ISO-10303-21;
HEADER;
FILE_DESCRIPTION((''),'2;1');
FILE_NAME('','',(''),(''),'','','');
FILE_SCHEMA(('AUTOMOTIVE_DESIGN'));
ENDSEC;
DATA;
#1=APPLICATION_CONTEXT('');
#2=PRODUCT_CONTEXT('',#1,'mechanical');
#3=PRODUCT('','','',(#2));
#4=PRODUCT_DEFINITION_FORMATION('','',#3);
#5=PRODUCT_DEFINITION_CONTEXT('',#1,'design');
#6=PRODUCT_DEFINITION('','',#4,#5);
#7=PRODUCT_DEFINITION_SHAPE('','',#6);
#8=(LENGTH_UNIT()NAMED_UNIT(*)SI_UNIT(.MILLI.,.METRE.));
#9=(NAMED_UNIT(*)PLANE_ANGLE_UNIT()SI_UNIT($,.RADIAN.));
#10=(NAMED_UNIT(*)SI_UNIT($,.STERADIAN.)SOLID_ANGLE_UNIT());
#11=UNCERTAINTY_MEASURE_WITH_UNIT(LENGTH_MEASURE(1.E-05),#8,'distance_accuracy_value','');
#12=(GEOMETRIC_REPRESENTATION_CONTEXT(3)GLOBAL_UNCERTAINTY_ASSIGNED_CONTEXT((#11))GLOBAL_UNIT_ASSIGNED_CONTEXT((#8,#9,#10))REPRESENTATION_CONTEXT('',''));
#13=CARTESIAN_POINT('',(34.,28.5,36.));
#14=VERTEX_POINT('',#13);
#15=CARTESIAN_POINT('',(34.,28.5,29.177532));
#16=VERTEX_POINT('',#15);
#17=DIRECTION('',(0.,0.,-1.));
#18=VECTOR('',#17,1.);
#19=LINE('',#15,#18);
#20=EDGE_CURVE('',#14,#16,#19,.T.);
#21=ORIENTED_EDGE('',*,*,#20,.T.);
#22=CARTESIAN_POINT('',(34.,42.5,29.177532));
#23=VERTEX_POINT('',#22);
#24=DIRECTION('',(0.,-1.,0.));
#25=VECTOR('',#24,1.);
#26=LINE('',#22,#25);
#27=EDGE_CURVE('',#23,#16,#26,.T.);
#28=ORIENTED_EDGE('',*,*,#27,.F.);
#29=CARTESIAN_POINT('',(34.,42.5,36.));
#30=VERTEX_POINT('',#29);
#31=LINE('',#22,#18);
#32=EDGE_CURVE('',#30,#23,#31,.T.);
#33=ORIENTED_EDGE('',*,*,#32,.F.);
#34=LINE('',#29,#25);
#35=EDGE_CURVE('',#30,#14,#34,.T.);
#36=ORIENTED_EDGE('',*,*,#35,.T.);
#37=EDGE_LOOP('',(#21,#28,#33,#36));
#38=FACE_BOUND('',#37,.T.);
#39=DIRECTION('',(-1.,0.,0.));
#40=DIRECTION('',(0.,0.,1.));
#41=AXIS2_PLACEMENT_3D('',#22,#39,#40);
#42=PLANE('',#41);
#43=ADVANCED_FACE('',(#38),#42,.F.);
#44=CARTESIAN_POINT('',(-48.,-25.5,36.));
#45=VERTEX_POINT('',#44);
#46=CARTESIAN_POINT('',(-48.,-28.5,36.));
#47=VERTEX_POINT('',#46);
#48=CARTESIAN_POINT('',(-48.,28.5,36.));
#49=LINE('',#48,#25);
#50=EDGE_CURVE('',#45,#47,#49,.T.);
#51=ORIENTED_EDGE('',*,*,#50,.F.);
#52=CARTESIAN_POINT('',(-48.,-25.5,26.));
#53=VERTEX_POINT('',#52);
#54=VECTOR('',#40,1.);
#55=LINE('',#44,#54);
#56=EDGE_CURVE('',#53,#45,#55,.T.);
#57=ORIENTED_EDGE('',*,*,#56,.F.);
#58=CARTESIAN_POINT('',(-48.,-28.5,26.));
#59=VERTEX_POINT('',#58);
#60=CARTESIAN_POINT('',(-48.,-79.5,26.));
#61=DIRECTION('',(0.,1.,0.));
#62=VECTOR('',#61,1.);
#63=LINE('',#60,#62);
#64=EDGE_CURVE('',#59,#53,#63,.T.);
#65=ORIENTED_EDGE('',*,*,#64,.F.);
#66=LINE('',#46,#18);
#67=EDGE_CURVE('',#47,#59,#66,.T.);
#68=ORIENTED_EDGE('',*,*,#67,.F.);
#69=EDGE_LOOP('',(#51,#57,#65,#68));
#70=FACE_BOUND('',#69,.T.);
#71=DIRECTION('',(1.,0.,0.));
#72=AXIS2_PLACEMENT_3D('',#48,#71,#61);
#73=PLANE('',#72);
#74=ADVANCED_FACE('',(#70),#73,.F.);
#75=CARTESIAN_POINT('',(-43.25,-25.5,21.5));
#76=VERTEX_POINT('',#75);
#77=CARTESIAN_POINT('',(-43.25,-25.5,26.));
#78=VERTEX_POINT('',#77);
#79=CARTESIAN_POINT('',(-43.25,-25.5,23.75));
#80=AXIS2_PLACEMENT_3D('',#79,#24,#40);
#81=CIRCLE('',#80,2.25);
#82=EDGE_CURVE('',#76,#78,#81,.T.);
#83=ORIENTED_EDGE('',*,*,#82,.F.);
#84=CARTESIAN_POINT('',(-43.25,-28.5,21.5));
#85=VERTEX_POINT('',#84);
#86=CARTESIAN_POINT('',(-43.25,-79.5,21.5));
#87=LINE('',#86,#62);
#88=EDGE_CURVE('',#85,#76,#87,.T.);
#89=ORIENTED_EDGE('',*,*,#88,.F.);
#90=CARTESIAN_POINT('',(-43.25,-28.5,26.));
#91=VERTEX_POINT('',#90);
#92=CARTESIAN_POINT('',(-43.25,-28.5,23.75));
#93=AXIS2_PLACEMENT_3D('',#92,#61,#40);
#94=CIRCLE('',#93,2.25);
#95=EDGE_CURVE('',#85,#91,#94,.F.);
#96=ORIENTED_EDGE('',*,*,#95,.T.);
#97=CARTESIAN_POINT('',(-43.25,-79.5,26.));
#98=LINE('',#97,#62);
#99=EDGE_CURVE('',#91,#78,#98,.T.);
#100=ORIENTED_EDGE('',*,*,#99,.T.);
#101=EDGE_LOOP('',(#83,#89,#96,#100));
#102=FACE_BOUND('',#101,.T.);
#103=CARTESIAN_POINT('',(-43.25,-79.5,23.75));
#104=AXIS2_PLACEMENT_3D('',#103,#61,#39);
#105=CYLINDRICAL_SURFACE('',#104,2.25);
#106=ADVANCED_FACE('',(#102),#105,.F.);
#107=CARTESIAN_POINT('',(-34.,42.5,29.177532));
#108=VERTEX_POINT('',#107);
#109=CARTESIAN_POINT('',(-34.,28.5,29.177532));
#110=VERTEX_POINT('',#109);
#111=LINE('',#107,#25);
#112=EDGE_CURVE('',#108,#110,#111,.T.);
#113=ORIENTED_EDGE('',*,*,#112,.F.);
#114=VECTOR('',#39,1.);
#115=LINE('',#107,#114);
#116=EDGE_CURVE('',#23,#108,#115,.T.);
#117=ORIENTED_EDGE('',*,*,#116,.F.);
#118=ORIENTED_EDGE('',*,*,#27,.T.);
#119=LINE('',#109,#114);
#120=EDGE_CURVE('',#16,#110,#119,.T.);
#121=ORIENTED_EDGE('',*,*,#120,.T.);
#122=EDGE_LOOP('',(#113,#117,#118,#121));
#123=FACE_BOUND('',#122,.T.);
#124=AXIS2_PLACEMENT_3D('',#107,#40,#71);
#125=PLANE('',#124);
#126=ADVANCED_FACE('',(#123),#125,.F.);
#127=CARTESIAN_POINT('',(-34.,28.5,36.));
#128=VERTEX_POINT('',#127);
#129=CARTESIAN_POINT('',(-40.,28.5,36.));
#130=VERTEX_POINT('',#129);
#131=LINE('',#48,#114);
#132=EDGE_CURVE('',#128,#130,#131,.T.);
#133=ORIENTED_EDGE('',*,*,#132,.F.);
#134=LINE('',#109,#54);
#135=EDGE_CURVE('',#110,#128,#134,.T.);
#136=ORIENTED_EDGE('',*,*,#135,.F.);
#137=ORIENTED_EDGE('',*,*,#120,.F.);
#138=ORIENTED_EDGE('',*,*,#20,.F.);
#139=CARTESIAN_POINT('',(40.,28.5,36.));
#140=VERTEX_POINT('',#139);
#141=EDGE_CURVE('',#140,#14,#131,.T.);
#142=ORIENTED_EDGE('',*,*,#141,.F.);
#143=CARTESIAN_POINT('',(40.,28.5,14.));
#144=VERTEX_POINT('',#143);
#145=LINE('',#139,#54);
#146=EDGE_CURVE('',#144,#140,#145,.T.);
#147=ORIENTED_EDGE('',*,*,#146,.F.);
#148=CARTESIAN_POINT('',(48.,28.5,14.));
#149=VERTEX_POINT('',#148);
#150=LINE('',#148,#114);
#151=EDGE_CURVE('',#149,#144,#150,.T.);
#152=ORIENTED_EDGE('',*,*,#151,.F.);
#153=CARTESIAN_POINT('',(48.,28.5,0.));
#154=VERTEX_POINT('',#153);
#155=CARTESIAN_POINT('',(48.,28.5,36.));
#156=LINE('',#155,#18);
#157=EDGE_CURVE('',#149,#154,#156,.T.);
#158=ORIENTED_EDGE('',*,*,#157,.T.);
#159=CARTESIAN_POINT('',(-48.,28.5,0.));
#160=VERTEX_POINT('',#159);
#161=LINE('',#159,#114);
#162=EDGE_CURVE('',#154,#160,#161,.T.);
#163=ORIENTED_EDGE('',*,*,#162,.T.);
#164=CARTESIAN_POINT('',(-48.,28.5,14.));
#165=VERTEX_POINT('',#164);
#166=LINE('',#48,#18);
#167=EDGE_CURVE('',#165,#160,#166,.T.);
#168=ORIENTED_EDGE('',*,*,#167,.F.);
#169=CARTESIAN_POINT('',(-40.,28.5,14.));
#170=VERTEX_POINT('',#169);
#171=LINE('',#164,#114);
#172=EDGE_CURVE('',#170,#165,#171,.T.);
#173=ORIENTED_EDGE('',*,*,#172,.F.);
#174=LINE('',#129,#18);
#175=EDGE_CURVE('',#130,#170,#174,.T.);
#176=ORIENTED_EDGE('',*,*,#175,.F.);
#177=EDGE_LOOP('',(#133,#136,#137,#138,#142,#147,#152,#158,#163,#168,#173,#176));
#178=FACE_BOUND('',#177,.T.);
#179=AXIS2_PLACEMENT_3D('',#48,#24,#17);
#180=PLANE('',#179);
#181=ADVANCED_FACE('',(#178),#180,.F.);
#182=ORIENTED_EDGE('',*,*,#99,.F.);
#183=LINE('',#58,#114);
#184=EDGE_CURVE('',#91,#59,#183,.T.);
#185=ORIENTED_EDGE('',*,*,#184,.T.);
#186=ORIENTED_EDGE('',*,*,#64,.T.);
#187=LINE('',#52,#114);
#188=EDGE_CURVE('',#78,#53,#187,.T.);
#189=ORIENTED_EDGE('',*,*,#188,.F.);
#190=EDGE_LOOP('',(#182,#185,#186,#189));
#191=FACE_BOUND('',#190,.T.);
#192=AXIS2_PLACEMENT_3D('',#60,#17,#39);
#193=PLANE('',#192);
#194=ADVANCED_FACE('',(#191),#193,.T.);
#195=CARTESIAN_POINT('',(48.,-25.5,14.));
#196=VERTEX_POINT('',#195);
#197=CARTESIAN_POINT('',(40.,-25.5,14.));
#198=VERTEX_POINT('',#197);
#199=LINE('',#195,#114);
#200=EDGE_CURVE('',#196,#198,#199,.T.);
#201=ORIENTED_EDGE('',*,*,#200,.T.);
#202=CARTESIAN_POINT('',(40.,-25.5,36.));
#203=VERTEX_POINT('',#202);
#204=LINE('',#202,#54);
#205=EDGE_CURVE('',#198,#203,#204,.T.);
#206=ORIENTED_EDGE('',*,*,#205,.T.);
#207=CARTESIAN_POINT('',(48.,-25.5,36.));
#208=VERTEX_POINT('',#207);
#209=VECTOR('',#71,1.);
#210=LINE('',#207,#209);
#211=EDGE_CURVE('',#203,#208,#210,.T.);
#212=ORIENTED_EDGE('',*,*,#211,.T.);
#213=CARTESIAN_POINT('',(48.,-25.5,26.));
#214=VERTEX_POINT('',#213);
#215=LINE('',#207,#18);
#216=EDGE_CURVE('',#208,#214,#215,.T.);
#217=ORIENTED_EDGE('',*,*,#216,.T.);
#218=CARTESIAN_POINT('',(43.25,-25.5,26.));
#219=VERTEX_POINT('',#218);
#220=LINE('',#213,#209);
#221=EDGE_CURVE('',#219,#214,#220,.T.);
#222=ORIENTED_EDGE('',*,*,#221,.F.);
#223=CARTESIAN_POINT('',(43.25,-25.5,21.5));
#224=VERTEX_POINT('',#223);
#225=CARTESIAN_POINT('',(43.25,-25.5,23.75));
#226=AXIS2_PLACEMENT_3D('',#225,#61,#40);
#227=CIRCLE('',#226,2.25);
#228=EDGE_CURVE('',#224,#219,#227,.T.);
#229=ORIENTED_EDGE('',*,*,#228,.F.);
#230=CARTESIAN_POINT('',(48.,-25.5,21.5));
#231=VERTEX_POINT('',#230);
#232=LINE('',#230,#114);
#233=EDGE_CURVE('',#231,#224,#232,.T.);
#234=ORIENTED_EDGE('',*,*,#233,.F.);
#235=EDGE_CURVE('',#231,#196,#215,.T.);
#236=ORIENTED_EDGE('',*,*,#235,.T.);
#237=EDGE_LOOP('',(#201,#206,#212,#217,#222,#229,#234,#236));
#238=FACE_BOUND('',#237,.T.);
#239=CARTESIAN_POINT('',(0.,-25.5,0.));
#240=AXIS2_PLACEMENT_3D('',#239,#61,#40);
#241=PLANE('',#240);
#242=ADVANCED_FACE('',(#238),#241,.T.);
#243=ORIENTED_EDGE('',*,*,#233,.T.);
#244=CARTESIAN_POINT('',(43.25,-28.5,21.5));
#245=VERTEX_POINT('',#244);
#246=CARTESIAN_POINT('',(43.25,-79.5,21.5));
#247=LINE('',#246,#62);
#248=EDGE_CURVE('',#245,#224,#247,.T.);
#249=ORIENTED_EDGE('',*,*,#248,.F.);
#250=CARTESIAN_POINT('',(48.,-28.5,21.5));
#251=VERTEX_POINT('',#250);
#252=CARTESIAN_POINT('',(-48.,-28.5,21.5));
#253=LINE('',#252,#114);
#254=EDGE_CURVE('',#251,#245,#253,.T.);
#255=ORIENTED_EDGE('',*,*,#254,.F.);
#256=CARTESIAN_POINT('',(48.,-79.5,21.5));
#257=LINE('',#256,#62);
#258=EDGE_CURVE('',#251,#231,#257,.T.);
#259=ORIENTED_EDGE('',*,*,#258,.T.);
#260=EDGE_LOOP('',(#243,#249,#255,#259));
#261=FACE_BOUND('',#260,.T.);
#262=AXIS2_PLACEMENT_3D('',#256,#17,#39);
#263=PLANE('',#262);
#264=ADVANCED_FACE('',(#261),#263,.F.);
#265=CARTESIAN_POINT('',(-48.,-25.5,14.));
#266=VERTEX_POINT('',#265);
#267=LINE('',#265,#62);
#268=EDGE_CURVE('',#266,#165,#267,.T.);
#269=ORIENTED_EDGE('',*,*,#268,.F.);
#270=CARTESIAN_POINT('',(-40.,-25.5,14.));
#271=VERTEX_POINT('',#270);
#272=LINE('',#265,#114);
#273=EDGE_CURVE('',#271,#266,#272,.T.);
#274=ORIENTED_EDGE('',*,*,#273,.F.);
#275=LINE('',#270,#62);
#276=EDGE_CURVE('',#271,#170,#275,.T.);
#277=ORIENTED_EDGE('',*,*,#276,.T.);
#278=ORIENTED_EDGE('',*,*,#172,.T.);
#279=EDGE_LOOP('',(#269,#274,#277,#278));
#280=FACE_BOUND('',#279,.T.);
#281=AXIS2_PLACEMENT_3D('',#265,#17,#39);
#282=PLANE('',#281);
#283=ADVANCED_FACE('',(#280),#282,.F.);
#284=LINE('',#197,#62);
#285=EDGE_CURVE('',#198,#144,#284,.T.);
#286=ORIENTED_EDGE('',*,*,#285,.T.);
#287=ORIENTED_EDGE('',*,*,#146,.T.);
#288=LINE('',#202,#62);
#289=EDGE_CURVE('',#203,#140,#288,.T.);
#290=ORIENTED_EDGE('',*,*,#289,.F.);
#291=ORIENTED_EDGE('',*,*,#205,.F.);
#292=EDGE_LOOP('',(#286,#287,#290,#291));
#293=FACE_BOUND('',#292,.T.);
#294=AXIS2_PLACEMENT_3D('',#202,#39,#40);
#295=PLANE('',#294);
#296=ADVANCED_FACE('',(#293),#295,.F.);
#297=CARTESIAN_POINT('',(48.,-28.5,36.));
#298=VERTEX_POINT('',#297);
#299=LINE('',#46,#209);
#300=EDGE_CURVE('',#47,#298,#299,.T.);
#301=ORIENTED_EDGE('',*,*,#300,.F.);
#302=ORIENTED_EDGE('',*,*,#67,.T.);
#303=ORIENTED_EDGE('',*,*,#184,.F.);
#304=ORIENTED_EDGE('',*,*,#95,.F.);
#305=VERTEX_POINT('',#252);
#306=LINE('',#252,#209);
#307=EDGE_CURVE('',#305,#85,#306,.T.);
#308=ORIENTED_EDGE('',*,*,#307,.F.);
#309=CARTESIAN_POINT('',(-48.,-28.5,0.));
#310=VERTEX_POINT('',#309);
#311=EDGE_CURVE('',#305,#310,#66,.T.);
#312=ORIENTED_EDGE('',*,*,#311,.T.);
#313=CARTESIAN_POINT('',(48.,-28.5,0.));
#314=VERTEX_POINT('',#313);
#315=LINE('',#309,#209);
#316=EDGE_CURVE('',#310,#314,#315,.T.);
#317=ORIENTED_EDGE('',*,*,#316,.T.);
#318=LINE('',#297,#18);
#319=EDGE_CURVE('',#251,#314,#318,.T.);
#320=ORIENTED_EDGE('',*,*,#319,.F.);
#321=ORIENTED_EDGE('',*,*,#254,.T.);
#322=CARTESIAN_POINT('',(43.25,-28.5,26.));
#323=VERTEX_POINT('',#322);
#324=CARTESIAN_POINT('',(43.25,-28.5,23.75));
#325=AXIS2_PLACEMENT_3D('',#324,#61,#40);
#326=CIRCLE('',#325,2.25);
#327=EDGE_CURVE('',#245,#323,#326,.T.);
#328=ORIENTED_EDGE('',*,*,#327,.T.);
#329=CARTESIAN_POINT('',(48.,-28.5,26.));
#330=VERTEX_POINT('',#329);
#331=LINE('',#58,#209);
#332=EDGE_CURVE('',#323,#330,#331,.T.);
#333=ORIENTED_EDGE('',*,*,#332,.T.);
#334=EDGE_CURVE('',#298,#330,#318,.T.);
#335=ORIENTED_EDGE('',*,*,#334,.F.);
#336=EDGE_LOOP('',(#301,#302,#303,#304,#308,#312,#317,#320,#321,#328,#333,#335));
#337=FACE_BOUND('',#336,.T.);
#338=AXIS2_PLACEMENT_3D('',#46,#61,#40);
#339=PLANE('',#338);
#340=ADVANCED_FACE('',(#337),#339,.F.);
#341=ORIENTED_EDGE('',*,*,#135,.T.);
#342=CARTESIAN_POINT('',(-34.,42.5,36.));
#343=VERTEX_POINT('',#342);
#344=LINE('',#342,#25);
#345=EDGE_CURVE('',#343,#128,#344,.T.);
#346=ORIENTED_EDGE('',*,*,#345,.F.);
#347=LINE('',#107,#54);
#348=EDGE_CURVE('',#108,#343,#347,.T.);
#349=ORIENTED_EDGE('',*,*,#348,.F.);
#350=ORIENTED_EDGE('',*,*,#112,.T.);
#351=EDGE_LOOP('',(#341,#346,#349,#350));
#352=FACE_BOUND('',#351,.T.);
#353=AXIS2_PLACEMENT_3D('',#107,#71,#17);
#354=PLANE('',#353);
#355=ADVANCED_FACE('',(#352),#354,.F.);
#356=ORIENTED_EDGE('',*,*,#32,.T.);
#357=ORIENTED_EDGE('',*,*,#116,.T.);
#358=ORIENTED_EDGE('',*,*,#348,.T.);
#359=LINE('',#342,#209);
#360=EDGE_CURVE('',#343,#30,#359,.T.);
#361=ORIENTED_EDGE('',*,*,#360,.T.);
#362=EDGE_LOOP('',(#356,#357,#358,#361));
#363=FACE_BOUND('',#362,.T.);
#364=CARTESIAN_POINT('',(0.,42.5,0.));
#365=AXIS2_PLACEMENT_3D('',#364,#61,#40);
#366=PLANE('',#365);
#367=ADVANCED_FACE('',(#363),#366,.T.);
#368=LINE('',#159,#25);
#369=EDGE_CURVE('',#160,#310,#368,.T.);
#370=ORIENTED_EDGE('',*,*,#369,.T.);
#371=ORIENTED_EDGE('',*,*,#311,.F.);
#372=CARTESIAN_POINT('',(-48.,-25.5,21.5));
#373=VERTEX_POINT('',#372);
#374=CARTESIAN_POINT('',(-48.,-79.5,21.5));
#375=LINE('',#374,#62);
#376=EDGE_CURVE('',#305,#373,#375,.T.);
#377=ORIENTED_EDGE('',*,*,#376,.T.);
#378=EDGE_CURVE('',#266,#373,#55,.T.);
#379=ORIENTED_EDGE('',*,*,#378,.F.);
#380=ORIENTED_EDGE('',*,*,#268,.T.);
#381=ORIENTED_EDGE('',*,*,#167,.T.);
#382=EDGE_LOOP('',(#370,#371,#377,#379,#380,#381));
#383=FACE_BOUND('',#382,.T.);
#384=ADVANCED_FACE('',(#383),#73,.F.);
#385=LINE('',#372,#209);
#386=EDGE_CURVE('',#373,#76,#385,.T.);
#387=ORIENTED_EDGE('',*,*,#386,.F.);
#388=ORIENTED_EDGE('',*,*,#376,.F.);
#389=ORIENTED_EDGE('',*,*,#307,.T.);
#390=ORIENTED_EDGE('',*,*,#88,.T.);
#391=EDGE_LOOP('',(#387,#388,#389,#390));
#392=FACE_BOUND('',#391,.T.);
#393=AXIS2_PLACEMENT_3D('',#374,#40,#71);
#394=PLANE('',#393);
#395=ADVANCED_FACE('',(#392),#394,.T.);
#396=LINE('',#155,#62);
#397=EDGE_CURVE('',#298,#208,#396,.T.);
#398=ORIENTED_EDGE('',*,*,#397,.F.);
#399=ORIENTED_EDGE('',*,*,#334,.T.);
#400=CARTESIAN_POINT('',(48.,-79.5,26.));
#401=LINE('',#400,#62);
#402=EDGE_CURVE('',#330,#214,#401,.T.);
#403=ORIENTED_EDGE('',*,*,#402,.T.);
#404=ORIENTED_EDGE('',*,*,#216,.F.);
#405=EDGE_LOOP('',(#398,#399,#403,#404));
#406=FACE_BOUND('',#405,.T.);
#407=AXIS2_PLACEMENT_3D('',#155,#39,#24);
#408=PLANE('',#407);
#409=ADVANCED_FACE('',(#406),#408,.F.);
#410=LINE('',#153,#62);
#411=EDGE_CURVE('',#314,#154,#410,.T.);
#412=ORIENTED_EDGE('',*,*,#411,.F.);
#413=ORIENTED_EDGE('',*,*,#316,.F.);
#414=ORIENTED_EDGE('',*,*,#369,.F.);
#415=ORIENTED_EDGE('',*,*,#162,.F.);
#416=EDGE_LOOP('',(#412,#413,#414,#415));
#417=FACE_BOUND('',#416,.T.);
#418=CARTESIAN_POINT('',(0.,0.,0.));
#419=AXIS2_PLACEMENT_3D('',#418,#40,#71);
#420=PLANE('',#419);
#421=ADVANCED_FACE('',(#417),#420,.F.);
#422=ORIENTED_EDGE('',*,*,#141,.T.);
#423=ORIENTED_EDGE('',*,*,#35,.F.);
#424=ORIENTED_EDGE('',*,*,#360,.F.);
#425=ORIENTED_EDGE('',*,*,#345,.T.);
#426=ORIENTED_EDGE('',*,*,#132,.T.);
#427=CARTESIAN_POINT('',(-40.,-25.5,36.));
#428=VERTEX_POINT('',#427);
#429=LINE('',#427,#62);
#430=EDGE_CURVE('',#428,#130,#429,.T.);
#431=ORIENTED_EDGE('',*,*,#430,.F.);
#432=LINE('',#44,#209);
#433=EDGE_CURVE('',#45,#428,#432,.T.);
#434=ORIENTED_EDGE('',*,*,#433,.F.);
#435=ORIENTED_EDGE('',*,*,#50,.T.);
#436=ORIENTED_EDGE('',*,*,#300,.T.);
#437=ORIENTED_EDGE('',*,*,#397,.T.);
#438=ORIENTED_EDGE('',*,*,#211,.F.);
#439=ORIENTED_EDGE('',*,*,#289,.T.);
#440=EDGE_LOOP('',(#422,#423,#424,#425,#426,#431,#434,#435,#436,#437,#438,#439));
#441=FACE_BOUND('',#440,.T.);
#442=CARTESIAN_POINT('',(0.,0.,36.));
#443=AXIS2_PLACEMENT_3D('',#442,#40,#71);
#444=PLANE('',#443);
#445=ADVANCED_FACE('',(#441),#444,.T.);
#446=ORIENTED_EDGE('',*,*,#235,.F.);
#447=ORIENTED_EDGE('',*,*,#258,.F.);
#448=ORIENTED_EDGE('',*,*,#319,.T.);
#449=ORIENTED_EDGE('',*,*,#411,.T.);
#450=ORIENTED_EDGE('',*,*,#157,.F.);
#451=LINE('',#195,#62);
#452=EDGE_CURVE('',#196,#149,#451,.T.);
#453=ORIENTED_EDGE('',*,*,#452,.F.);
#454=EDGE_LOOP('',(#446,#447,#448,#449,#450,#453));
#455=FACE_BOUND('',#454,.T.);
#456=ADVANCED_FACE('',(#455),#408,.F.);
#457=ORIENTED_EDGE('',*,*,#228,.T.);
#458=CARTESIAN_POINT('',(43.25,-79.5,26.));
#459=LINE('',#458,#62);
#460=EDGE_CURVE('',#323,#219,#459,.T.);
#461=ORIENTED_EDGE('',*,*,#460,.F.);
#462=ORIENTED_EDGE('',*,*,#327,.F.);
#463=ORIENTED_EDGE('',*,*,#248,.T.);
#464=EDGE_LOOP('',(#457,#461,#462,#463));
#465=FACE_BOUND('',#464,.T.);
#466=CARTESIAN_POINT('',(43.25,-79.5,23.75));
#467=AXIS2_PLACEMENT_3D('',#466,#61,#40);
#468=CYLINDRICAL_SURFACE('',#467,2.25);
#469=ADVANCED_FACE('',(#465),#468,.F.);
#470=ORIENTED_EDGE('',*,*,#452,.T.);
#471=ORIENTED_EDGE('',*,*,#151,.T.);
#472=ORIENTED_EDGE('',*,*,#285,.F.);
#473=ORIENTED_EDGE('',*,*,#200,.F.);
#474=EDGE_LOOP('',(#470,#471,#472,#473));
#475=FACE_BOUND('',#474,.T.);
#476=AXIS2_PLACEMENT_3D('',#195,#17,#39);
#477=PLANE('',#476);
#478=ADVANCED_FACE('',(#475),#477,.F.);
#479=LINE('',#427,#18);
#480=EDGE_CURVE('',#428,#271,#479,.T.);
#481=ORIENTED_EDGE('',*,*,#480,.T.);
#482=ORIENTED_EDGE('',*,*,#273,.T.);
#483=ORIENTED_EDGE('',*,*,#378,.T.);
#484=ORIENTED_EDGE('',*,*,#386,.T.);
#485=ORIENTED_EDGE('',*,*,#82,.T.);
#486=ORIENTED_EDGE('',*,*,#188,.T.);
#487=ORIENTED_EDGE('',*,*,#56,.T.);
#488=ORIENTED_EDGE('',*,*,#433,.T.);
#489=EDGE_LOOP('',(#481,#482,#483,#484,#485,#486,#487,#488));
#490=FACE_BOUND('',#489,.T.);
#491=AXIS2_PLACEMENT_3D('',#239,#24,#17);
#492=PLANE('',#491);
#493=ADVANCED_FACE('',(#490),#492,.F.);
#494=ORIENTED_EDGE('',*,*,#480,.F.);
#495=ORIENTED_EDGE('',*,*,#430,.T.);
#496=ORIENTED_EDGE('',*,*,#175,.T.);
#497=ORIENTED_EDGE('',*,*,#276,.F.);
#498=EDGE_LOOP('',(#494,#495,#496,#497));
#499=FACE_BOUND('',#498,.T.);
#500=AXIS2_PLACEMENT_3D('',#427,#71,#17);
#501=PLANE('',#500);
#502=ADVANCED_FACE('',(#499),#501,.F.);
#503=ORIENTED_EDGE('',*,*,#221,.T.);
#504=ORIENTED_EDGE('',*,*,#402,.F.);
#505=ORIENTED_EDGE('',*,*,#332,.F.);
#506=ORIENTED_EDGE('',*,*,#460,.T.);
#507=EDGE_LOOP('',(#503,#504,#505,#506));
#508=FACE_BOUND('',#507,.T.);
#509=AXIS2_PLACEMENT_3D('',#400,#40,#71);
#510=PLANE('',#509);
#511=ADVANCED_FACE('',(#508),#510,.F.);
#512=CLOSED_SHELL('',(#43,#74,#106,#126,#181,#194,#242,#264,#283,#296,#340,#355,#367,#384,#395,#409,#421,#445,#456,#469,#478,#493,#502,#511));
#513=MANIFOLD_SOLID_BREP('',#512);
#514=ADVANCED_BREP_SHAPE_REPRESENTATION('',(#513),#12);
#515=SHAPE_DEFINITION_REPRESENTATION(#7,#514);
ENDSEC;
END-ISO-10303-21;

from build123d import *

# Parameters (mm, degrees)
SKETCH_1_W          = 96
SKETCH_1_H          = 57
EXTRUDE_1_DEPTH     = 36
SKETCH_2_W          = 8
SKETCH_2_H          = 22
CUT_EXTRUDE_1_DEPTH = 54
CUT_EXTRUDE_2_DEPTH = 54
SKETCH_5_W          = 68
SKETCH_5_H          = 6.822468225
EXTRUDE_2_DEPTH     = 14


with BuildPart() as part:
    # 스케치1 → 보스-돌출1 (new body)
    with BuildSketch(Plane.XY):
        Rectangle(SKETCH_1_W, SKETCH_1_H)
    extrude(amount=EXTRUDE_1_DEPTH)

    # 스케치2 → 컷-돌출1 (cut)
    with BuildSketch(Plane(origin=(0, 28.5, 0), x_dir=(1, 0, 0), z_dir=(0, 1, 0))):
        with Locations((-44, -25)):
            Rectangle(SKETCH_2_W, SKETCH_2_H)
        with Locations((44, -25)):
            Rectangle(SKETCH_2_W, SKETCH_2_H)
    extrude(amount=-CUT_EXTRUDE_1_DEPTH, mode=Mode.SUBTRACT)

    # 스케치4 → 컷-돌출2 (cut)
    with BuildSketch(Plane(origin=(0, -25.5, 0), x_dir=(1, 0, 0), z_dir=(0, 1, 0))):
        with BuildLine():
            Line((48, -26), (43.25, -26))
            ThreePointArc((43.25, -26), (41, -23.75), (43.25, -21.5))
            Line((43.25, -21.5), (48, -21.5))
            Line((48, -21.5), (48, -26))
        make_face()
    cut_extrude_2 = extrude(amount=-CUT_EXTRUDE_2_DEPTH, mode=Mode.SUBTRACT)

    # 대칭 복사1: 컷-돌출2 across plane
    add(cut_extrude_2.mirror(Plane(origin=(0, 0, 0), x_dir=(0, 0, 1), z_dir=(1, 0, 0))), mode=Mode.SUBTRACT)

    # 스케치5 → 보스-돌출2 (add)
    with BuildSketch(Plane(origin=(0, 28.5, 0), x_dir=(1, 0, 0), z_dir=(0, 1, 0))):
        with Locations((0, -32.588765888)):
            Rectangle(SKETCH_5_W, SKETCH_5_H)
    extrude(amount=EXTRUDE_2_DEPTH)


solid = part.part
